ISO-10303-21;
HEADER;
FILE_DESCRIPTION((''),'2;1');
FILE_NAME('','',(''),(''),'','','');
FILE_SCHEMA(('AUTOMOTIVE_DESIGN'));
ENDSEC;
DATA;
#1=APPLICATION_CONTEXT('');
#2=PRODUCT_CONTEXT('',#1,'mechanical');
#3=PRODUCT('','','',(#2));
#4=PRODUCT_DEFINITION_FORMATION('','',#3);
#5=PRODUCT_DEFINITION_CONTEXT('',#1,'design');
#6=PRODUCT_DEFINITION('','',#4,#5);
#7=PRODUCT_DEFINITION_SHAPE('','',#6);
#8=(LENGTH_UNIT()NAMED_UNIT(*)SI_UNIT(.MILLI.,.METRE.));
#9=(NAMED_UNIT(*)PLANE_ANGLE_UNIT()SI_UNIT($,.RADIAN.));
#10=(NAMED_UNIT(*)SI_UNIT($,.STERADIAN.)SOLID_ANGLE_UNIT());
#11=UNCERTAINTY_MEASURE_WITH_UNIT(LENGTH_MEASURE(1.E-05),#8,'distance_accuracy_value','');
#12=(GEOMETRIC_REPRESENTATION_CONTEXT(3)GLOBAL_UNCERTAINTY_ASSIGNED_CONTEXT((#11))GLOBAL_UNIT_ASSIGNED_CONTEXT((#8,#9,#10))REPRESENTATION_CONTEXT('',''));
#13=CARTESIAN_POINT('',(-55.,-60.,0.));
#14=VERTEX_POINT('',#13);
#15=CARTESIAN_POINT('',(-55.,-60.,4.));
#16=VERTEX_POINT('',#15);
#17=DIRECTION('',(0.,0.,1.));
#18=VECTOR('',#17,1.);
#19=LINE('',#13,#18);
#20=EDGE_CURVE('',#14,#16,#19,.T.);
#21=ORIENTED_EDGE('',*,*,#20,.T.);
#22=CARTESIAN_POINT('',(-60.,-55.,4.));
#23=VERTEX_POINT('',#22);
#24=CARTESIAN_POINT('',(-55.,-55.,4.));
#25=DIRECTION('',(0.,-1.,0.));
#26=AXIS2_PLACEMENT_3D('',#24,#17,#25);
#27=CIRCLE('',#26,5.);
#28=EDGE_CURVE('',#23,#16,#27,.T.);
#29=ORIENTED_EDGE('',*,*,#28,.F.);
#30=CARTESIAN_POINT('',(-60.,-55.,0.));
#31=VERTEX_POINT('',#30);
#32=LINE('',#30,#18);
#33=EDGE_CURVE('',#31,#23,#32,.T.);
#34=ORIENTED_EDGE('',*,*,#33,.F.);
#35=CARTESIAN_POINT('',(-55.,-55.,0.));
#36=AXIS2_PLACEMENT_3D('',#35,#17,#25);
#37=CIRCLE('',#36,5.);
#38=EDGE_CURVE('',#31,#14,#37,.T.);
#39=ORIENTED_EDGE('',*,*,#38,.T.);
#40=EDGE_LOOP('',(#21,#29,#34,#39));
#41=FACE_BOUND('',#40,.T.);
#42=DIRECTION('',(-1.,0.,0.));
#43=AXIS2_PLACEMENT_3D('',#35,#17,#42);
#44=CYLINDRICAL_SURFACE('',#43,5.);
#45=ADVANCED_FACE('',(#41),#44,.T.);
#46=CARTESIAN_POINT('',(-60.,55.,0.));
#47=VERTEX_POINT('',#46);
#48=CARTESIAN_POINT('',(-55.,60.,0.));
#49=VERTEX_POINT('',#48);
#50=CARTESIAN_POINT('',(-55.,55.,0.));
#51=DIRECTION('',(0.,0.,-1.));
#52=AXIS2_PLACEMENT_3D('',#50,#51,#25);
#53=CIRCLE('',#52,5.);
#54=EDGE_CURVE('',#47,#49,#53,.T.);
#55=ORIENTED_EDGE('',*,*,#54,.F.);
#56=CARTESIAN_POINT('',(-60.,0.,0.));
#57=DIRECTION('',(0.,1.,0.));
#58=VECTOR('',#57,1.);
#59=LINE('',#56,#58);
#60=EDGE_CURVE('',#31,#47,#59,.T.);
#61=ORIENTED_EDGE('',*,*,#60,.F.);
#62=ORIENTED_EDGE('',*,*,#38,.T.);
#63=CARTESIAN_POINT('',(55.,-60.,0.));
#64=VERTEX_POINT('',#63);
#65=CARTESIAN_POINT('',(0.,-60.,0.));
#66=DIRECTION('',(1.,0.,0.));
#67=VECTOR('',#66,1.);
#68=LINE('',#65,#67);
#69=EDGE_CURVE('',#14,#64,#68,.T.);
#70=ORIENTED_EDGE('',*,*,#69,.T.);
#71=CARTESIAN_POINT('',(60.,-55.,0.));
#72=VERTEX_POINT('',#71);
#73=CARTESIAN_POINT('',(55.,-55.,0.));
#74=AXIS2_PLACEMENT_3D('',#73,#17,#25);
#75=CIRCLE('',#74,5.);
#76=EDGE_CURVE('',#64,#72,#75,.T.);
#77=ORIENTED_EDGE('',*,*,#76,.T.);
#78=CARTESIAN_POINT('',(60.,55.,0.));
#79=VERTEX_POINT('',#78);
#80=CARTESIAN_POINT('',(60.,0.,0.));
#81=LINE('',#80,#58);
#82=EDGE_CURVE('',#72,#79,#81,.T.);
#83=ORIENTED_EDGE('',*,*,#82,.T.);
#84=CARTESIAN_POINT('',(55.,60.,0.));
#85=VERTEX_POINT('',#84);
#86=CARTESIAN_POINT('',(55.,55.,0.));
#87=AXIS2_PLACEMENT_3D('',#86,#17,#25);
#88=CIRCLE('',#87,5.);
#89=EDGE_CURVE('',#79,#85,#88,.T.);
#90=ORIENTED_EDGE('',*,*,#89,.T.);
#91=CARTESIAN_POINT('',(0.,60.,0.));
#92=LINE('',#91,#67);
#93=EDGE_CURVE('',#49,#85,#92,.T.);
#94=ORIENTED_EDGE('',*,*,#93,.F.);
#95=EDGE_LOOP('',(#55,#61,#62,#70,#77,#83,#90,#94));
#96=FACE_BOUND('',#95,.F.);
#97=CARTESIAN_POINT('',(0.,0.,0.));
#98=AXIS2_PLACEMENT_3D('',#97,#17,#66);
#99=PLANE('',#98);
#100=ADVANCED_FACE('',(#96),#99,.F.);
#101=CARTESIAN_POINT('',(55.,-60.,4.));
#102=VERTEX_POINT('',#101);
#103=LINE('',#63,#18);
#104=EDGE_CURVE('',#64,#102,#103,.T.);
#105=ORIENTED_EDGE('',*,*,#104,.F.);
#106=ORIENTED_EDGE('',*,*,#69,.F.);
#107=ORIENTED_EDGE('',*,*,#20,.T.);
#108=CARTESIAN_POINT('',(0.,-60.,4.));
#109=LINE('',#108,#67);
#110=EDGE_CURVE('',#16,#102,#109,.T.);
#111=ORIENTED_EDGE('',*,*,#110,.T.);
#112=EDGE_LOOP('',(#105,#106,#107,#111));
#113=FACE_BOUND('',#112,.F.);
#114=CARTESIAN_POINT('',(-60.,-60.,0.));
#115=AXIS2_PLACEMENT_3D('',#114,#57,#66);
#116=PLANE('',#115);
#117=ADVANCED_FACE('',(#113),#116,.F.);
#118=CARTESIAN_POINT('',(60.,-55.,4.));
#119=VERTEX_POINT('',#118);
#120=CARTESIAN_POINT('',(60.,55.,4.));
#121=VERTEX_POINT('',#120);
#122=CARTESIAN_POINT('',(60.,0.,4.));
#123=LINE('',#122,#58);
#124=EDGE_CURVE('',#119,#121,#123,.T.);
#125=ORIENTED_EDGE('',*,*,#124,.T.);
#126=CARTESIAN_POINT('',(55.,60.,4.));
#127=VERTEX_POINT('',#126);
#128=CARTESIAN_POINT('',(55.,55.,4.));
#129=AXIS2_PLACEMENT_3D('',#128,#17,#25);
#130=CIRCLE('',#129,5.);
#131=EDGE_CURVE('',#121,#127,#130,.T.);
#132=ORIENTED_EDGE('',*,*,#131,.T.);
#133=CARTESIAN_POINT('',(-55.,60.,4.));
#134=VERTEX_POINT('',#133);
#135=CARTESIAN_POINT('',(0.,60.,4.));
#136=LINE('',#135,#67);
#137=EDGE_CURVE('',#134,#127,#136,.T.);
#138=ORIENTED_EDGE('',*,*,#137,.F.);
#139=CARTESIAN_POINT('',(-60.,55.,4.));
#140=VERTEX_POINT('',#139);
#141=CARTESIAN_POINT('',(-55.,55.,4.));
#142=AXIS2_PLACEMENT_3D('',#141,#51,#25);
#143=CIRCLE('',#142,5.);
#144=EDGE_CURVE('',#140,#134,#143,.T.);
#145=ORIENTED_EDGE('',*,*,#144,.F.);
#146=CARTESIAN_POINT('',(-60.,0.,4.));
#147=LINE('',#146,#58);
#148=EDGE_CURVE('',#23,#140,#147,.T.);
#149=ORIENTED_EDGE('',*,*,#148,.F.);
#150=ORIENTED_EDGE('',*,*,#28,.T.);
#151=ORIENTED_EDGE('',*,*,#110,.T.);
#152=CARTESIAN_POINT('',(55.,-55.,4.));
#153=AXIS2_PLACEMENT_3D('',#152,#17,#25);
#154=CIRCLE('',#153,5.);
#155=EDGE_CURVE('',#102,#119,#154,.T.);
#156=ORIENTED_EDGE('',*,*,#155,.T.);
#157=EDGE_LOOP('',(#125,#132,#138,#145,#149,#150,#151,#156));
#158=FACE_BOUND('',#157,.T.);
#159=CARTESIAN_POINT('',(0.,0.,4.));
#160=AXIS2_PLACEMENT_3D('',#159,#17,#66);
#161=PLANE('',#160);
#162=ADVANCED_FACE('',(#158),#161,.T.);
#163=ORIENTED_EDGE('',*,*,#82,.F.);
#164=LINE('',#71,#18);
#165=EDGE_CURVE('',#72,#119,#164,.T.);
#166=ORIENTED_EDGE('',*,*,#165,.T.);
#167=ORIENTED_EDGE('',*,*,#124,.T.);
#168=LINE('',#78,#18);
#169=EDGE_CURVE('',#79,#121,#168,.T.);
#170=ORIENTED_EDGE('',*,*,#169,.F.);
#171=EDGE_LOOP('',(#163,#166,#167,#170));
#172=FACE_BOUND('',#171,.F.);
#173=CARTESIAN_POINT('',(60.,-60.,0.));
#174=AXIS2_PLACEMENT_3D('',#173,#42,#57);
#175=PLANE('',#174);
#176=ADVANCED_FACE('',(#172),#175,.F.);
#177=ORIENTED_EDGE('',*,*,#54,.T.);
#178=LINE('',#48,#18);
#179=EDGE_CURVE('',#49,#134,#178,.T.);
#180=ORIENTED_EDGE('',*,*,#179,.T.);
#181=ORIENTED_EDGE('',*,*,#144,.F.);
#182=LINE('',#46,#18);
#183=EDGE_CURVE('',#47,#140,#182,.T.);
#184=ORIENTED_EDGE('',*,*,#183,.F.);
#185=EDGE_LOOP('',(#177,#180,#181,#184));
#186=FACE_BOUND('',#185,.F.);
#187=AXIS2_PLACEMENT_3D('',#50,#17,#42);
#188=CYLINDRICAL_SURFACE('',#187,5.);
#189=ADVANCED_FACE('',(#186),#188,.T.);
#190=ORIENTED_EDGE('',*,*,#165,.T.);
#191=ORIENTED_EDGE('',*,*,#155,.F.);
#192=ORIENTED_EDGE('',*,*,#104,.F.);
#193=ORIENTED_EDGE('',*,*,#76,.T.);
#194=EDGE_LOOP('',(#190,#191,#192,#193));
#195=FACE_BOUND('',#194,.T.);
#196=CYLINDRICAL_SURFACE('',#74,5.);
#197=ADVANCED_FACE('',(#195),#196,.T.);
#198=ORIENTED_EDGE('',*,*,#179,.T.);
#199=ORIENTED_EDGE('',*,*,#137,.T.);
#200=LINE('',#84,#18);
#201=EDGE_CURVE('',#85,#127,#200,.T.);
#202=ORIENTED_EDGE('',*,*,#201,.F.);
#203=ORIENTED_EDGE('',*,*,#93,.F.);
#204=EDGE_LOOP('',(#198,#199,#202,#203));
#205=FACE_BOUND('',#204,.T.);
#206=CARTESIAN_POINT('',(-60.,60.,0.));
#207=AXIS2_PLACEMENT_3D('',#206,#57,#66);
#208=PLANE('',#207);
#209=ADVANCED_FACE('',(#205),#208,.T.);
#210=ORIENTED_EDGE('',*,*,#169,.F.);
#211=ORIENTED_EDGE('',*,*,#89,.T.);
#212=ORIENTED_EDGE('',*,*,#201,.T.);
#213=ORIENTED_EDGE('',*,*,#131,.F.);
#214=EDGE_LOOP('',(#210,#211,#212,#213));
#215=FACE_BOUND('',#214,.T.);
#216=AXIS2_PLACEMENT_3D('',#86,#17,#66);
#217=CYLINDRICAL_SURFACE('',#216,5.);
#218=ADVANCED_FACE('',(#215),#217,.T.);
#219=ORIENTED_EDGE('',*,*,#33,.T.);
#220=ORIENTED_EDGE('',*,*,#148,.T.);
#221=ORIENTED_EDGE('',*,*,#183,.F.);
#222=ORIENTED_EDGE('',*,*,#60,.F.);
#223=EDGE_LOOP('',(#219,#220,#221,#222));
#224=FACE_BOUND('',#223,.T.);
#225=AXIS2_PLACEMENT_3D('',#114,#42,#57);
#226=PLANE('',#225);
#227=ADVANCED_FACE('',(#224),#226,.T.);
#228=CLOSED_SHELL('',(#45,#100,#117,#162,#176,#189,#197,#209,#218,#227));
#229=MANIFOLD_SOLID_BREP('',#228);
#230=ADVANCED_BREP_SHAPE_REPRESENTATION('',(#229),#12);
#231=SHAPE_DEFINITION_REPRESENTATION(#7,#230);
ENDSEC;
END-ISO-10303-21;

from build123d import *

# Parameters (mm, degrees)
F0_W     = 120
F0_H     = 120
F1_DEPTH = 4
F2_R     = 5


with BuildPart() as f1:
    # F0 (on Top) → F1 (new body)
    with BuildSketch(Plane.XY):
        Rectangle(F0_W, F0_H)
    extrude(amount=F1_DEPTH)

    # F2
    f2_edges = [f1.edges().sort_by_distance(p)[0] for p in [
        (60, -60, 2),
        (-60, -60, 2),
        (60, 60, 2),
        (-60, 60, 2),
    ]]
    fillet(f2_edges, radius=F2_R)


solid = f1.part
